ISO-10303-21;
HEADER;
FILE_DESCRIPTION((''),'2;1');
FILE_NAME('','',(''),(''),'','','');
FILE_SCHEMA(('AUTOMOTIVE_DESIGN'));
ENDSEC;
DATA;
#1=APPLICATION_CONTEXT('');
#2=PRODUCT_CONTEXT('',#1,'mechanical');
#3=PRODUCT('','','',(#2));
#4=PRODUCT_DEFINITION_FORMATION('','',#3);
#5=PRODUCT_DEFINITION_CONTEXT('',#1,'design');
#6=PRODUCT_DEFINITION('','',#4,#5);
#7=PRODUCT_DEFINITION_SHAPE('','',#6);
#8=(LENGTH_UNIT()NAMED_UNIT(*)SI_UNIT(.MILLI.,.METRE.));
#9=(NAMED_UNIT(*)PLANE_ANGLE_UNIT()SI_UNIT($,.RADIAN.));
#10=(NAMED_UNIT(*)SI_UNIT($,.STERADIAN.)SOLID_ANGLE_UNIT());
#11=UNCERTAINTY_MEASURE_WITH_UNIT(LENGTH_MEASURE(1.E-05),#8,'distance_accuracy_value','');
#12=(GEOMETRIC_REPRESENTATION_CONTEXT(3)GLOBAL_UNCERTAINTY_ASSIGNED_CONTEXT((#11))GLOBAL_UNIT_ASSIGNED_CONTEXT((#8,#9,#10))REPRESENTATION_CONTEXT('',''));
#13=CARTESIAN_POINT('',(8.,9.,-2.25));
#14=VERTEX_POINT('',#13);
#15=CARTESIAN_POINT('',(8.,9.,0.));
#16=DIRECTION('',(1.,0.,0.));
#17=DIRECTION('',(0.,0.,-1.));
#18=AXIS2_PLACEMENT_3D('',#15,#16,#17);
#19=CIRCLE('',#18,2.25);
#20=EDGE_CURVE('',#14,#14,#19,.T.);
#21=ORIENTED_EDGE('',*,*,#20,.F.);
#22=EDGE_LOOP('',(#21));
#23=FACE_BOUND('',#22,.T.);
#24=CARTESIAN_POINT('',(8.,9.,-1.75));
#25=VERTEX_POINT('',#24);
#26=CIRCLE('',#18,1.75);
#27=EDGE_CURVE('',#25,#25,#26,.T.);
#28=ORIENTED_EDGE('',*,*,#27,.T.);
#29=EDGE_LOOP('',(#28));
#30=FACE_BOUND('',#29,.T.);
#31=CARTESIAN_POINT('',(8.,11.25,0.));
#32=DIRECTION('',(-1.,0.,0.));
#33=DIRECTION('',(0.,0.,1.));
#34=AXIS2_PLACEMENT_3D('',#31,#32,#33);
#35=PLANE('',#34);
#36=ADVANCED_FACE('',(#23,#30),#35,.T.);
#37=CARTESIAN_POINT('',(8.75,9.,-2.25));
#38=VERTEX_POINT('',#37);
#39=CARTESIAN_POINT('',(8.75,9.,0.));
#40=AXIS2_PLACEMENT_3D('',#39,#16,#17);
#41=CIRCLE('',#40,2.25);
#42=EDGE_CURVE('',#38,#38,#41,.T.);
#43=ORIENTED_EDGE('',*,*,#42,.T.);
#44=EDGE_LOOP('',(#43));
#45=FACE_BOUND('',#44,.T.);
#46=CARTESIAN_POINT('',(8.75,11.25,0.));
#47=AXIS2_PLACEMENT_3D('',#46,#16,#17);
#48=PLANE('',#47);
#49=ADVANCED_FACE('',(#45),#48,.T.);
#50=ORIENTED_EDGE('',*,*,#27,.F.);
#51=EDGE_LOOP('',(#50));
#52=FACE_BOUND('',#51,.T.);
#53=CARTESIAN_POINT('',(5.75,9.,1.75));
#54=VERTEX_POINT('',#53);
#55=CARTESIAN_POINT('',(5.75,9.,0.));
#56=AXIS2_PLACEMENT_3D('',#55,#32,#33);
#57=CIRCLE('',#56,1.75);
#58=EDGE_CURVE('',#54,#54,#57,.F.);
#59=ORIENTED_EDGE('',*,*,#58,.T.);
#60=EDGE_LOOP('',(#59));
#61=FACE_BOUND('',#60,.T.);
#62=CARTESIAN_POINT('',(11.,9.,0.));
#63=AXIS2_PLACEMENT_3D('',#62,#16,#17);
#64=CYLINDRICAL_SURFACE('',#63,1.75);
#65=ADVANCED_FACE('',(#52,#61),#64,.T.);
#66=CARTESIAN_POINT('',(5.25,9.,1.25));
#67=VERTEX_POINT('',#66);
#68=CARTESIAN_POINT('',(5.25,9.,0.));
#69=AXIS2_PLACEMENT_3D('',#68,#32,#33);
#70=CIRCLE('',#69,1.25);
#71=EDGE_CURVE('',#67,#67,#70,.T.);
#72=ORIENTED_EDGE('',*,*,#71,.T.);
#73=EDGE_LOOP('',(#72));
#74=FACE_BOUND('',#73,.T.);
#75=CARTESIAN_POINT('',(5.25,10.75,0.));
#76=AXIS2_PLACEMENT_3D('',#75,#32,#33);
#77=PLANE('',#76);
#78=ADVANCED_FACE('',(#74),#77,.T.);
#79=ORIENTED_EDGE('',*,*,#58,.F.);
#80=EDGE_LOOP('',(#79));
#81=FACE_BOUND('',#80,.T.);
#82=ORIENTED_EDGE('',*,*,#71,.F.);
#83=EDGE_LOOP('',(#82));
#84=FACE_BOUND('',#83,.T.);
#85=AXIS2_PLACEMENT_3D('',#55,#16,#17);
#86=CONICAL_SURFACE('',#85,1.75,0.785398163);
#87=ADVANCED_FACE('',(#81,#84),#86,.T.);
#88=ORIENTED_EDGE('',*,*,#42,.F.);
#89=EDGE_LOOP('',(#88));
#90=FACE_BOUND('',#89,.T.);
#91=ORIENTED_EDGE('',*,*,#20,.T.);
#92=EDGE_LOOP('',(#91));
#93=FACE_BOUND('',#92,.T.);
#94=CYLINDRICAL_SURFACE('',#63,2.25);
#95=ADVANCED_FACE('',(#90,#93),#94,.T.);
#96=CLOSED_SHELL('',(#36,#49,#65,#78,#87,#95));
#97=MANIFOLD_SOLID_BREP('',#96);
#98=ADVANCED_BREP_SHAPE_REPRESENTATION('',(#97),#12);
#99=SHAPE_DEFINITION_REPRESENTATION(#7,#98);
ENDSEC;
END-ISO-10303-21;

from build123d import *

# Parameters (mm, degrees)
CHANFREIN1_SIZE = 0.5


with BuildPart() as part:
    # Esquisse1 → Base-Révolution (revolve)
    with BuildSketch(Plane.XY, mode=Mode.PRIVATE) as base_r_volution_sk:
        Polygon((8, 10.75), (5.25, 10.75), (5.25, 9), (8.75, 9), (8.75, 11.25), (8, 11.25), align=None)
    revolve(base_r_volution_sk.sketch.rotate(Axis((11, 9, 0), (-1, 0, 0)), 90), axis=Axis((11, 9, 0), (-1, 0, 0)))

    # Chanfrein1
    chanfrein1_edges = [part.edges().sort_by_distance(p)[0] for p in [
        (5.25, 9, 1.75),
    ]]
    chamfer(chanfrein1_edges, length=CHANFREIN1_SIZE)


solid = part.part
